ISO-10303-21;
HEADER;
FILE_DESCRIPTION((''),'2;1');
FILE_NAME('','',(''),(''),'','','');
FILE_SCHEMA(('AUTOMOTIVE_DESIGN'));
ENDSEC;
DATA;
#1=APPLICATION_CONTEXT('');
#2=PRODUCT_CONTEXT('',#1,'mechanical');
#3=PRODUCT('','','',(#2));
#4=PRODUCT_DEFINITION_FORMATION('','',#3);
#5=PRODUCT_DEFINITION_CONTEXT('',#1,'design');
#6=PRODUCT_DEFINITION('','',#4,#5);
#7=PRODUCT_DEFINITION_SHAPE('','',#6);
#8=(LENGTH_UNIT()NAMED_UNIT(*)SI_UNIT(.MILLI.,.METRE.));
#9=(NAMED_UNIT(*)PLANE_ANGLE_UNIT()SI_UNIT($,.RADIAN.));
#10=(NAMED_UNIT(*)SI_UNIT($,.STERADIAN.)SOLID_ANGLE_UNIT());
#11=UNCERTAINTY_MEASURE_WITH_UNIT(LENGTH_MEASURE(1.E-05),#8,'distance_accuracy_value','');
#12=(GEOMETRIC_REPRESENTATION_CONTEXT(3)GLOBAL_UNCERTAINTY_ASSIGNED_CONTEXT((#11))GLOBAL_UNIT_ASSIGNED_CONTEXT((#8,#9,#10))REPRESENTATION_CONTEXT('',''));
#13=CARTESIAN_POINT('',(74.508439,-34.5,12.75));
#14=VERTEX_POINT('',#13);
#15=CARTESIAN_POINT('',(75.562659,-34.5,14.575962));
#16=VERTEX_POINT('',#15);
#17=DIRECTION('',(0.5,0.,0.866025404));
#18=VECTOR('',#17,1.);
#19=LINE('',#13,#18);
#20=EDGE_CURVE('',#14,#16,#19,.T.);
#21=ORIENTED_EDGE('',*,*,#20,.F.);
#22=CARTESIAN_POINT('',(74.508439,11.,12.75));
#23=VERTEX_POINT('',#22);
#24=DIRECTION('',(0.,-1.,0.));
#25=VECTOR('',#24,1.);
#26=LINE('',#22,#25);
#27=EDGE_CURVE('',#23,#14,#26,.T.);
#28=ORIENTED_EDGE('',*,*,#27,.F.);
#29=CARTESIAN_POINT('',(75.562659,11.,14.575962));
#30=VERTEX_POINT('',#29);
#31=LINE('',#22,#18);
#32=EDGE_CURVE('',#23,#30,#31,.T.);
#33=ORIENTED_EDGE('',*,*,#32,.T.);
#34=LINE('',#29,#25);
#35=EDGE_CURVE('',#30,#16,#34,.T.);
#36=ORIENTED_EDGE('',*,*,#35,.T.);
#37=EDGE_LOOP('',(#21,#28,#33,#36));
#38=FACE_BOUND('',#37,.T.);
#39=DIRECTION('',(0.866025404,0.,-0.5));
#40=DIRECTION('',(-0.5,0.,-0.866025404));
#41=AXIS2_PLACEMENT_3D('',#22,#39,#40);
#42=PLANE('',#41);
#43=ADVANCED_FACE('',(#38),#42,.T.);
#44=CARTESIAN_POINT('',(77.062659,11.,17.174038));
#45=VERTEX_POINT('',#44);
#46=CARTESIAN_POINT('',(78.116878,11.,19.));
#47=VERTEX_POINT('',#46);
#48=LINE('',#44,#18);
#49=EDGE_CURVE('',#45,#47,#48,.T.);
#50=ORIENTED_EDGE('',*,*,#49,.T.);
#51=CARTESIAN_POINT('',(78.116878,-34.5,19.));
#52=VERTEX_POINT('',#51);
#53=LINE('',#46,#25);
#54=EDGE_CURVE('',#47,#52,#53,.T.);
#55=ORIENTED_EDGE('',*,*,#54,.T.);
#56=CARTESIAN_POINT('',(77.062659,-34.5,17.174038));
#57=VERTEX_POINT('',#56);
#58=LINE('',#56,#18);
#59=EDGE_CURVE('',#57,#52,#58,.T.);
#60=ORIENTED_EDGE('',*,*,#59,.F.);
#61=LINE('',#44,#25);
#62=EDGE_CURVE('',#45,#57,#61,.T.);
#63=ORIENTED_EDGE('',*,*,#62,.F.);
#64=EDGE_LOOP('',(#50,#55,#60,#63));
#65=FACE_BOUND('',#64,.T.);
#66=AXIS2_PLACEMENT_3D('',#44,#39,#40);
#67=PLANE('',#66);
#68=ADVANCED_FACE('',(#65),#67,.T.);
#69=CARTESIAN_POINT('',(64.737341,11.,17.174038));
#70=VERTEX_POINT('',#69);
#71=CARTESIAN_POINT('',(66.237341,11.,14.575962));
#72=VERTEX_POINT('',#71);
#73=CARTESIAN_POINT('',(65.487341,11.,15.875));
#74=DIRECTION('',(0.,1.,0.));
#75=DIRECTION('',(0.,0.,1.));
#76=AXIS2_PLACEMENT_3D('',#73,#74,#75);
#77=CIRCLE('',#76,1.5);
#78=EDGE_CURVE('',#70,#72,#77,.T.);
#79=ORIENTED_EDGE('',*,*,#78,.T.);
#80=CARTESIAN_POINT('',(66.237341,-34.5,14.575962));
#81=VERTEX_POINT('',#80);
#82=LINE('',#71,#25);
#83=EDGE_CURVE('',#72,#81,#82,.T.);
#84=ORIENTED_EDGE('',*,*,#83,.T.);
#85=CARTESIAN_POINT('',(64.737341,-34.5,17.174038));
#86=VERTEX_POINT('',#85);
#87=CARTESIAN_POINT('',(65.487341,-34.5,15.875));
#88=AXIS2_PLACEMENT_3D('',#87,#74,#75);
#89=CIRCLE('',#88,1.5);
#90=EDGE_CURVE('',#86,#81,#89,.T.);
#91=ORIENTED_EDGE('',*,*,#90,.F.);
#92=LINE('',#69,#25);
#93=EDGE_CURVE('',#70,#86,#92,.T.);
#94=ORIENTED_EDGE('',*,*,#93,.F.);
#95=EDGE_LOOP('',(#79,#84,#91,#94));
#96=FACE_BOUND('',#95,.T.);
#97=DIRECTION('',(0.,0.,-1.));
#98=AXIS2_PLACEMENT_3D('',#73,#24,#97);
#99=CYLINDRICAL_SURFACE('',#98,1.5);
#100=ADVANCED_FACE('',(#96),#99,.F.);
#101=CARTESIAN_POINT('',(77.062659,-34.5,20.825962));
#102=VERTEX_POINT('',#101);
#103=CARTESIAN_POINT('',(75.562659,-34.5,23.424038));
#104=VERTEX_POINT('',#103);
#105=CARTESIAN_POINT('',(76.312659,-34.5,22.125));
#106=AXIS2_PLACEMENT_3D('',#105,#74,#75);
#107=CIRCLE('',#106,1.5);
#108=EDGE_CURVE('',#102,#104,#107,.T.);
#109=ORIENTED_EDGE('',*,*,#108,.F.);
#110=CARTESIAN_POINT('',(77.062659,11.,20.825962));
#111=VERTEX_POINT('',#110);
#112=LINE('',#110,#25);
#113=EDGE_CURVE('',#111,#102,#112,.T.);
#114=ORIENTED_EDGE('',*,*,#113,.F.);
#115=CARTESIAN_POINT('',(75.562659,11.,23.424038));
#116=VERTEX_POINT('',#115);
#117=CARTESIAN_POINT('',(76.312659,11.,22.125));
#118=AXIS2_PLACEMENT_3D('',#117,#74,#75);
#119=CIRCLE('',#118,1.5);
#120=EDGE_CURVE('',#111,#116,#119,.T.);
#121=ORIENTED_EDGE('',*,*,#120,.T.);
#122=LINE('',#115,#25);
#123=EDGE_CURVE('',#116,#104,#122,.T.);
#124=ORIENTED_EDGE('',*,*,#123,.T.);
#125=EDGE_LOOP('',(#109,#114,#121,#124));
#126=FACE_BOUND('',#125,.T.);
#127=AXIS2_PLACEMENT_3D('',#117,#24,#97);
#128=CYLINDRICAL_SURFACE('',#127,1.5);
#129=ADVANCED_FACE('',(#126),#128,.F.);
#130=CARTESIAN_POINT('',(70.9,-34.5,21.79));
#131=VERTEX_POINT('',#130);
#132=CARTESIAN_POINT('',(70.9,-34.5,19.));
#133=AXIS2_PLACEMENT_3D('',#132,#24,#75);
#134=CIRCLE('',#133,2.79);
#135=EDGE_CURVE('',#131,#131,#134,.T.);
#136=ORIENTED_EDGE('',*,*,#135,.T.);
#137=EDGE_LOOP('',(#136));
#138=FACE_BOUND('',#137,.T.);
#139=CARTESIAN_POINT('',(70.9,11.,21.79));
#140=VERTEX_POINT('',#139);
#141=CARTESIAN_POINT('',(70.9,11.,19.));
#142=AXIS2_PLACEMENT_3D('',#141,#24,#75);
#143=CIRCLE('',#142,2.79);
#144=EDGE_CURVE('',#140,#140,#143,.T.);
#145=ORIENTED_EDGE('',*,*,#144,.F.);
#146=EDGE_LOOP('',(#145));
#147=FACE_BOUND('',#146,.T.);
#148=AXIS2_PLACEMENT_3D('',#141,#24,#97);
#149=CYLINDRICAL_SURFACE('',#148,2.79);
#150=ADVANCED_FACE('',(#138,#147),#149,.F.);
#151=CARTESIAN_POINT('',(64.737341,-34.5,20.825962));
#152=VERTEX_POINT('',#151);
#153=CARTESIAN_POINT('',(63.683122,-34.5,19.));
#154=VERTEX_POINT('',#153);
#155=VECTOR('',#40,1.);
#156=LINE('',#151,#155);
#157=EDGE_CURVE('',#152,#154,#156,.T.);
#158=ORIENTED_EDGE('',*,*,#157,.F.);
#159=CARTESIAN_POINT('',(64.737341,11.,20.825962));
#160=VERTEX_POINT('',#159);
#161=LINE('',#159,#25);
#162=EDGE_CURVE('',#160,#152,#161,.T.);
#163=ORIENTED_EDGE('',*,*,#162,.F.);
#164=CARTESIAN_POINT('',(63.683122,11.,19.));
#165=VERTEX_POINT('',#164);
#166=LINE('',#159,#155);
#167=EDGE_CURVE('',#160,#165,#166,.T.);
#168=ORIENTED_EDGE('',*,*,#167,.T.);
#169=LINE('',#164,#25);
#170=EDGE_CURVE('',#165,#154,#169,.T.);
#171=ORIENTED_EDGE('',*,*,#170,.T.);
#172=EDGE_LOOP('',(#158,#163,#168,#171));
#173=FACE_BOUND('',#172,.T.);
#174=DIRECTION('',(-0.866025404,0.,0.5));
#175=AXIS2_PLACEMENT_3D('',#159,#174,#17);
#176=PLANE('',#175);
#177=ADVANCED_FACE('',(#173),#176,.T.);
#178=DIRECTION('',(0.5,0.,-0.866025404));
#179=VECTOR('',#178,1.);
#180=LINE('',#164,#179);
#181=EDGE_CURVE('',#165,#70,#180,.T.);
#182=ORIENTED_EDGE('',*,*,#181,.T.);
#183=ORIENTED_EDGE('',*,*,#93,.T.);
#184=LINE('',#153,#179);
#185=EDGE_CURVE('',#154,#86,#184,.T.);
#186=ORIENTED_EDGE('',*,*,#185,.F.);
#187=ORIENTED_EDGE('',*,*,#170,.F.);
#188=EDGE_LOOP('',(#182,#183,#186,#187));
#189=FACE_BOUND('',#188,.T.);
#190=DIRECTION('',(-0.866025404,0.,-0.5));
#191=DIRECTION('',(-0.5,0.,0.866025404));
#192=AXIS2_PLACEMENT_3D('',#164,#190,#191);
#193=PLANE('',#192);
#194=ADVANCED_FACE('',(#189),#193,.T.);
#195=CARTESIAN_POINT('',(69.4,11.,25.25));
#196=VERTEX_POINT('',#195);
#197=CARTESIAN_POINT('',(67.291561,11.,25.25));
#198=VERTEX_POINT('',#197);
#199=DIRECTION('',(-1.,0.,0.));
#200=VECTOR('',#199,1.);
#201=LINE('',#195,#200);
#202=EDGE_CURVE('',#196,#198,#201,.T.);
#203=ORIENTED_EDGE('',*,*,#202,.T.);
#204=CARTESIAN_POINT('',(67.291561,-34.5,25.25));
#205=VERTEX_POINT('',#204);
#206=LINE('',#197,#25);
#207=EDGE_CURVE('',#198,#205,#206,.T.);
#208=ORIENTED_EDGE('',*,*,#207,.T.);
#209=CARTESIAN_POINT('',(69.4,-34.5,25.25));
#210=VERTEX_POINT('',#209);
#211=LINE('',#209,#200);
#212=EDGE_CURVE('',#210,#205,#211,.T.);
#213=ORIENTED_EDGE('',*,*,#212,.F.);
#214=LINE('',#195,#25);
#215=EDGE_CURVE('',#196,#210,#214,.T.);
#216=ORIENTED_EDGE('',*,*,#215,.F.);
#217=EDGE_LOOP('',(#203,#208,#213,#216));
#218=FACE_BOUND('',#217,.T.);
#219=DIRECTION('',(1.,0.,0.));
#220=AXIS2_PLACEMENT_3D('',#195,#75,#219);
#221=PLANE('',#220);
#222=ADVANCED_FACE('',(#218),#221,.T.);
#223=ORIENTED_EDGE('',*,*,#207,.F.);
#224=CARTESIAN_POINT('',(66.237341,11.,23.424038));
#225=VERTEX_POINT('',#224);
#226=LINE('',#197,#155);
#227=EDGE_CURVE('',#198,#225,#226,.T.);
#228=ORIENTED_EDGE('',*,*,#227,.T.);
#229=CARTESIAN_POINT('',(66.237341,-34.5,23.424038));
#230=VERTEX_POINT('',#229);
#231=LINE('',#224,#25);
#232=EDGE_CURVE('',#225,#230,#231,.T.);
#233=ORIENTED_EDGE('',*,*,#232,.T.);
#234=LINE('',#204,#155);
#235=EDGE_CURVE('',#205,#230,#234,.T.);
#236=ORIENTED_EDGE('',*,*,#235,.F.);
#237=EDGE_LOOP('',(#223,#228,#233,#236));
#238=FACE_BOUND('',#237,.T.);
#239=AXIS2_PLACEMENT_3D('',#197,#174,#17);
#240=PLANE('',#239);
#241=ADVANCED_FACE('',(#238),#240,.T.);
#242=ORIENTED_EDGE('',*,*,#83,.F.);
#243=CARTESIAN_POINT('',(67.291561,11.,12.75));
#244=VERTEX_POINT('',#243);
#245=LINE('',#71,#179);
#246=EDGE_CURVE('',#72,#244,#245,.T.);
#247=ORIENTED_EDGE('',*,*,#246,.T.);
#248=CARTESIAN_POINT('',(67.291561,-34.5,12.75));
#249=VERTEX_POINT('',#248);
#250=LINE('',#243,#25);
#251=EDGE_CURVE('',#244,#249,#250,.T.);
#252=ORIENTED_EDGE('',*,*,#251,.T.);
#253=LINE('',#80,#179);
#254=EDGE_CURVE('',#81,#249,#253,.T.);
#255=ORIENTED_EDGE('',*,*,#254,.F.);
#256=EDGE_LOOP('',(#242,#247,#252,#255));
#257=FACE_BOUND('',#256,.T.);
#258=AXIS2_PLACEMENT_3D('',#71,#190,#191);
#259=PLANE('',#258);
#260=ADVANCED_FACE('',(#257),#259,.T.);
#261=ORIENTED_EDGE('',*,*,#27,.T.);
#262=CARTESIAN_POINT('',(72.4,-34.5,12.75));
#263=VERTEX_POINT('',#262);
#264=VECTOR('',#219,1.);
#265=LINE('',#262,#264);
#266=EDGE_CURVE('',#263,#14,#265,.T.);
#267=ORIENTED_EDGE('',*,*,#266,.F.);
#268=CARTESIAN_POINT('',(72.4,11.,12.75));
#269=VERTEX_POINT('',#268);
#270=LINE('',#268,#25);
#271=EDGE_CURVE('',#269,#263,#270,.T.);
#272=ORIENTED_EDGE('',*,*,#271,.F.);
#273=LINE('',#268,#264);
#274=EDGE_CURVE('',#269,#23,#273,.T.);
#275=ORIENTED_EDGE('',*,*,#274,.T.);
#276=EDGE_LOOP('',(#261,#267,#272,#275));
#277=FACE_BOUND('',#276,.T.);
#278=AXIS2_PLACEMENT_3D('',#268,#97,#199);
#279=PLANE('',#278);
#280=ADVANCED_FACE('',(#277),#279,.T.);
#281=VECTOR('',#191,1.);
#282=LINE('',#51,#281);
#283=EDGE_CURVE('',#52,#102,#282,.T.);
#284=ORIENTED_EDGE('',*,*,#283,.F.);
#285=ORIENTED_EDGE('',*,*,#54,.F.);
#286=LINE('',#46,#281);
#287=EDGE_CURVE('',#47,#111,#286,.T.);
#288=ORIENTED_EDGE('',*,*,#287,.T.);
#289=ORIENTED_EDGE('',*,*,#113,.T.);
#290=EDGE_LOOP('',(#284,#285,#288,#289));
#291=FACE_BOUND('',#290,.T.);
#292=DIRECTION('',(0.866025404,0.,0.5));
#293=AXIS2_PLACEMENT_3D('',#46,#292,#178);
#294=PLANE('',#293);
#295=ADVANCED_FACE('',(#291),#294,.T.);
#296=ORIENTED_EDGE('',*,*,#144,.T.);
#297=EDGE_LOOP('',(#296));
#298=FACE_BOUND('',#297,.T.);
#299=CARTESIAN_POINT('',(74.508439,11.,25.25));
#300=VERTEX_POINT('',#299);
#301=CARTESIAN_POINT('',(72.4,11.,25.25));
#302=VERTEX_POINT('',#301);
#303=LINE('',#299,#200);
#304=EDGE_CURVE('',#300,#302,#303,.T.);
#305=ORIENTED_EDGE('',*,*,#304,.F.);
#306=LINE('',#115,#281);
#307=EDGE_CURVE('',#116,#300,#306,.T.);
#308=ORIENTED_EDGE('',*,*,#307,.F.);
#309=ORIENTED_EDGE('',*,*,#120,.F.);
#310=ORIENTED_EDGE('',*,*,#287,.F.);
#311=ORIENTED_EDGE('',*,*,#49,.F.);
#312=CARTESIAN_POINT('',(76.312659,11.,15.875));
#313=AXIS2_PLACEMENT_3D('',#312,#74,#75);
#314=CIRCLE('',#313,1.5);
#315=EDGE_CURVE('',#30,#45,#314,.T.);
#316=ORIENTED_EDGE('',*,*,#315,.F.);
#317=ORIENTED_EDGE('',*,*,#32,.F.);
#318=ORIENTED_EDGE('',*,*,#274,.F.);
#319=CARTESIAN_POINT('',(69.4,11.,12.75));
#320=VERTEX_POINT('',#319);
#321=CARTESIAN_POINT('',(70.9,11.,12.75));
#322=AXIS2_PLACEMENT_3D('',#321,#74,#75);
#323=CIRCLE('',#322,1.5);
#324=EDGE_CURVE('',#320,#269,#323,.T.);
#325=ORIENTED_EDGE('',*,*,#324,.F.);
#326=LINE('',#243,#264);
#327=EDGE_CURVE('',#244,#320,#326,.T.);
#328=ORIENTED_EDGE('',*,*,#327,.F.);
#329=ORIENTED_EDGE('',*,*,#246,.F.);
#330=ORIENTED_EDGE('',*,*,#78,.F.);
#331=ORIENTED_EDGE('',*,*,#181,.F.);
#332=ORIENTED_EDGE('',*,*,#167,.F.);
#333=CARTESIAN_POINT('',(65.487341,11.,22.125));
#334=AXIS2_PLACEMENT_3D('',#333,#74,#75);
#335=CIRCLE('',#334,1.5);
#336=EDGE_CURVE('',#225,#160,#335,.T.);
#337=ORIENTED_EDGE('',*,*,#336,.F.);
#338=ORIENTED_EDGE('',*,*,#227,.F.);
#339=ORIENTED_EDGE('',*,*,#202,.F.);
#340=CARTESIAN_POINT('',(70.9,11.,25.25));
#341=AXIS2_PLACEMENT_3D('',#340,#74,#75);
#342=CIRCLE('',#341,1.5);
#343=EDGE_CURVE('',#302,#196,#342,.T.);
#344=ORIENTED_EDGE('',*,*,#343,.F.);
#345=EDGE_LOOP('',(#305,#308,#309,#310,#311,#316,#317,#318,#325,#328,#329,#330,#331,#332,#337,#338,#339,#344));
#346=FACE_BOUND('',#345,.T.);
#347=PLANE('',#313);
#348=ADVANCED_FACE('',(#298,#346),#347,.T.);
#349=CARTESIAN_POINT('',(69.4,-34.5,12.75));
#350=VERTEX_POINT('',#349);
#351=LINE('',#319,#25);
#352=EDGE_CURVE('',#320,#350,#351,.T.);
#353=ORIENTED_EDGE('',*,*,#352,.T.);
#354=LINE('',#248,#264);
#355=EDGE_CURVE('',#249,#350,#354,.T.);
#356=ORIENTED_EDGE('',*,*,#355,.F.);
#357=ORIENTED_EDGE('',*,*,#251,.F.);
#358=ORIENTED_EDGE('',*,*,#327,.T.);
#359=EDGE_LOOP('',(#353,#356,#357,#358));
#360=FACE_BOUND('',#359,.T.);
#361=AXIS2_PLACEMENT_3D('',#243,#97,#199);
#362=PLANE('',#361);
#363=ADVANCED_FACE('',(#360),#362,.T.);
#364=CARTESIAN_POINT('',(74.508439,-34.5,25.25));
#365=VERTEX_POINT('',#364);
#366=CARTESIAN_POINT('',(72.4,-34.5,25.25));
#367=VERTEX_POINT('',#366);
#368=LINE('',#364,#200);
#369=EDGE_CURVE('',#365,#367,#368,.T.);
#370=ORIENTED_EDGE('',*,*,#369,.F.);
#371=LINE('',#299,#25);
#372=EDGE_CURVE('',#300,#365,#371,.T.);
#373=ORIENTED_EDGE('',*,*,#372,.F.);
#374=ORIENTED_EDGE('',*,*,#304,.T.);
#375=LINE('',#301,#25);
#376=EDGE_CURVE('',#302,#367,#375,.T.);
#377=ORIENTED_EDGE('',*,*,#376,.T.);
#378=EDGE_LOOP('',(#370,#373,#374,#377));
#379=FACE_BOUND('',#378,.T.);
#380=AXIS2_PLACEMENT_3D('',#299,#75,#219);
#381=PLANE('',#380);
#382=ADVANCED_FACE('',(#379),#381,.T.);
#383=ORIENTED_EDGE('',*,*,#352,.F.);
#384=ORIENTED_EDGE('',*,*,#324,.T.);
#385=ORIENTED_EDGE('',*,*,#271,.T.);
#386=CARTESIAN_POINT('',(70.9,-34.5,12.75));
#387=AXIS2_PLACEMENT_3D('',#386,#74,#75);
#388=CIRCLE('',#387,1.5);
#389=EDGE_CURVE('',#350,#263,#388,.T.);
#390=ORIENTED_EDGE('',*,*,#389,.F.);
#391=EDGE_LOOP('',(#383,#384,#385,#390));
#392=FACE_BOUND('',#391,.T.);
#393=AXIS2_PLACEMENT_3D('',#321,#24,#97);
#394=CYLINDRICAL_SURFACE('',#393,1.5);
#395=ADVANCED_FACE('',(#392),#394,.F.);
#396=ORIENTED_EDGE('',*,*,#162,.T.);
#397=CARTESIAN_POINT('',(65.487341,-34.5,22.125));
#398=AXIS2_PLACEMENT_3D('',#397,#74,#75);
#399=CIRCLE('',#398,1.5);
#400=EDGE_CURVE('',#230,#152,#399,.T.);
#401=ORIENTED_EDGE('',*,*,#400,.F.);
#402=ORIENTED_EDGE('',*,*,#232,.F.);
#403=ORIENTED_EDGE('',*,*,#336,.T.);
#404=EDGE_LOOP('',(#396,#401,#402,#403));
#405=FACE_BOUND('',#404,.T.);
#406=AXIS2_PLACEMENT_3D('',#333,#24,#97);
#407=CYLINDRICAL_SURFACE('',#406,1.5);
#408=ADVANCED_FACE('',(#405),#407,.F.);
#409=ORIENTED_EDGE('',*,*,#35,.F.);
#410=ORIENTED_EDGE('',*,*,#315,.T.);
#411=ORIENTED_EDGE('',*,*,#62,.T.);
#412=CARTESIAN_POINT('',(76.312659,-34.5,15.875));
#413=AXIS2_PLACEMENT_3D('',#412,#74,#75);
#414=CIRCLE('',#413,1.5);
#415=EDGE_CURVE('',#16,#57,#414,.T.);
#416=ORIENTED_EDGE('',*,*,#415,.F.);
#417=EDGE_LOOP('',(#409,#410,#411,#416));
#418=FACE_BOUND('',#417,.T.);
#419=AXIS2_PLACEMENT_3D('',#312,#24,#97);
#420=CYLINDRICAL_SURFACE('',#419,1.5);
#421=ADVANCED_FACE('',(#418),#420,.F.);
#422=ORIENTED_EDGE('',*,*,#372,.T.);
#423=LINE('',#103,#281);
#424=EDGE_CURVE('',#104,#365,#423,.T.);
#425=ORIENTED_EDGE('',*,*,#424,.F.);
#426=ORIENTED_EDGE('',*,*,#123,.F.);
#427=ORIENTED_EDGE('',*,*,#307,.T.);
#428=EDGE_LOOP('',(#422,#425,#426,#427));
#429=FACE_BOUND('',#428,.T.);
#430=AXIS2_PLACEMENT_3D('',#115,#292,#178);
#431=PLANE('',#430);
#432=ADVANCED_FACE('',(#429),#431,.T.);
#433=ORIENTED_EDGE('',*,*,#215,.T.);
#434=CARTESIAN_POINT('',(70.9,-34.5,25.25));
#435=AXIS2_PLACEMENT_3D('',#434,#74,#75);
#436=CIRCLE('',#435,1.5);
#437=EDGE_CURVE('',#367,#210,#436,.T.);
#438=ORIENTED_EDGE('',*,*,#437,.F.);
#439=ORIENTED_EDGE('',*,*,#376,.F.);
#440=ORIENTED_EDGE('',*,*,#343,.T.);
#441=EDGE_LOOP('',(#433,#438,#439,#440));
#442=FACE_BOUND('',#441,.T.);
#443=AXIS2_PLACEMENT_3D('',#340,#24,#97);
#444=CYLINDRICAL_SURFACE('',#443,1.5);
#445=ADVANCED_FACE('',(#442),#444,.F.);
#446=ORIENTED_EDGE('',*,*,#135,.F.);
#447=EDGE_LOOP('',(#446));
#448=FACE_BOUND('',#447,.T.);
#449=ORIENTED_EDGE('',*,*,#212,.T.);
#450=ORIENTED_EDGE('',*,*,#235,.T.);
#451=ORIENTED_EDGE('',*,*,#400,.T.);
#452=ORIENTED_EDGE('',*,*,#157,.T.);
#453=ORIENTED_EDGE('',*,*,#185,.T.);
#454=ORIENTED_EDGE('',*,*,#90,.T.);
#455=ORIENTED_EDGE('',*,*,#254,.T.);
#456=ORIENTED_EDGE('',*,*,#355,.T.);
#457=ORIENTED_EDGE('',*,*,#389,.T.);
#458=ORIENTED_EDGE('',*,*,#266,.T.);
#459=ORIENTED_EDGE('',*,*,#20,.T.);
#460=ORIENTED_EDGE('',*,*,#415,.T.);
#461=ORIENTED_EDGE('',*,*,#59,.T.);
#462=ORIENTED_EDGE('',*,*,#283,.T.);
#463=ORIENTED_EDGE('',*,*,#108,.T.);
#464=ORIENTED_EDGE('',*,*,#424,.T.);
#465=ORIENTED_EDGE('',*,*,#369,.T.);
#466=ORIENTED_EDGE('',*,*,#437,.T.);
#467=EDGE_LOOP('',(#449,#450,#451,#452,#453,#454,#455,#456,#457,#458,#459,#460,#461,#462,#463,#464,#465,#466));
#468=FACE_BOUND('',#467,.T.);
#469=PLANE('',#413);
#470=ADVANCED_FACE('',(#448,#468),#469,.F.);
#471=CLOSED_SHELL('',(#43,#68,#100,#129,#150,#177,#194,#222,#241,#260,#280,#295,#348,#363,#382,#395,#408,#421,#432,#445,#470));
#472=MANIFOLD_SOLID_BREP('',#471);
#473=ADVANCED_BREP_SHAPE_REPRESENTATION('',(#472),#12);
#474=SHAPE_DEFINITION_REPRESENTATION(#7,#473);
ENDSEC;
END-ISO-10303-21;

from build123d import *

# Parameters (mm, degrees)
ESBO_O1_R                = 2.79
RESSALTO_EXTRUS_O1_DEPTH = 45.5


with BuildPart() as part:
    # Esboço1 → Ressalto-extrusão1 (new body)
    with BuildSketch(Plane.XZ.offset(34.5)):
        with BuildLine():
            Line((77.062658774, 17.174038106), (78.116878365, 19))
            Line((78.116878365, 19), (77.062658774, 20.825961894))
            ThreePointArc((77.062658774, 20.825961894), (75.013620668, 21.375), (75.562658774, 23.424038106))
            Line((75.562658774, 23.424038106), (74.508439182, 25.25))
            Line((74.508439182, 25.25), (72.4, 25.25))
            ThreePointArc((72.4, 25.25), (70.9, 23.75), (69.4, 25.25))
            Line((69.4, 25.25), (67.291560818, 25.25))
            Line((67.291560818, 25.25), (66.237341226, 23.424038106))
            ThreePointArc((66.237341226, 23.424038106), (66.786379332, 21.375), (64.737341226, 20.825961894))
            Line((64.737341226, 20.825961894), (63.683121635, 19))
            Line((63.683121635, 19), (64.737341226, 17.174038106))
            ThreePointArc((64.737341226, 17.174038106), (66.786379332, 16.625), (66.237341226, 14.575961894))
            Line((66.237341226, 14.575961894), (67.291560818, 12.75))
            Line((67.291560818, 12.75), (69.4, 12.75))
            ThreePointArc((69.4, 12.75), (70.9, 14.25), (72.4, 12.75))
            Line((72.4, 12.75), (74.508439182, 12.75))
            Line((74.508439182, 12.75), (75.562658774, 14.575961894))
            ThreePointArc((75.562658774, 14.575961894), (75.013620668, 16.625), (77.062658774, 17.174038106))
        make_face()
        with Locations((70.9, 19)):
            Circle(ESBO_O1_R, mode=Mode.SUBTRACT)
    extrude(amount=-RESSALTO_EXTRUS_O1_DEPTH)


solid = part.part
